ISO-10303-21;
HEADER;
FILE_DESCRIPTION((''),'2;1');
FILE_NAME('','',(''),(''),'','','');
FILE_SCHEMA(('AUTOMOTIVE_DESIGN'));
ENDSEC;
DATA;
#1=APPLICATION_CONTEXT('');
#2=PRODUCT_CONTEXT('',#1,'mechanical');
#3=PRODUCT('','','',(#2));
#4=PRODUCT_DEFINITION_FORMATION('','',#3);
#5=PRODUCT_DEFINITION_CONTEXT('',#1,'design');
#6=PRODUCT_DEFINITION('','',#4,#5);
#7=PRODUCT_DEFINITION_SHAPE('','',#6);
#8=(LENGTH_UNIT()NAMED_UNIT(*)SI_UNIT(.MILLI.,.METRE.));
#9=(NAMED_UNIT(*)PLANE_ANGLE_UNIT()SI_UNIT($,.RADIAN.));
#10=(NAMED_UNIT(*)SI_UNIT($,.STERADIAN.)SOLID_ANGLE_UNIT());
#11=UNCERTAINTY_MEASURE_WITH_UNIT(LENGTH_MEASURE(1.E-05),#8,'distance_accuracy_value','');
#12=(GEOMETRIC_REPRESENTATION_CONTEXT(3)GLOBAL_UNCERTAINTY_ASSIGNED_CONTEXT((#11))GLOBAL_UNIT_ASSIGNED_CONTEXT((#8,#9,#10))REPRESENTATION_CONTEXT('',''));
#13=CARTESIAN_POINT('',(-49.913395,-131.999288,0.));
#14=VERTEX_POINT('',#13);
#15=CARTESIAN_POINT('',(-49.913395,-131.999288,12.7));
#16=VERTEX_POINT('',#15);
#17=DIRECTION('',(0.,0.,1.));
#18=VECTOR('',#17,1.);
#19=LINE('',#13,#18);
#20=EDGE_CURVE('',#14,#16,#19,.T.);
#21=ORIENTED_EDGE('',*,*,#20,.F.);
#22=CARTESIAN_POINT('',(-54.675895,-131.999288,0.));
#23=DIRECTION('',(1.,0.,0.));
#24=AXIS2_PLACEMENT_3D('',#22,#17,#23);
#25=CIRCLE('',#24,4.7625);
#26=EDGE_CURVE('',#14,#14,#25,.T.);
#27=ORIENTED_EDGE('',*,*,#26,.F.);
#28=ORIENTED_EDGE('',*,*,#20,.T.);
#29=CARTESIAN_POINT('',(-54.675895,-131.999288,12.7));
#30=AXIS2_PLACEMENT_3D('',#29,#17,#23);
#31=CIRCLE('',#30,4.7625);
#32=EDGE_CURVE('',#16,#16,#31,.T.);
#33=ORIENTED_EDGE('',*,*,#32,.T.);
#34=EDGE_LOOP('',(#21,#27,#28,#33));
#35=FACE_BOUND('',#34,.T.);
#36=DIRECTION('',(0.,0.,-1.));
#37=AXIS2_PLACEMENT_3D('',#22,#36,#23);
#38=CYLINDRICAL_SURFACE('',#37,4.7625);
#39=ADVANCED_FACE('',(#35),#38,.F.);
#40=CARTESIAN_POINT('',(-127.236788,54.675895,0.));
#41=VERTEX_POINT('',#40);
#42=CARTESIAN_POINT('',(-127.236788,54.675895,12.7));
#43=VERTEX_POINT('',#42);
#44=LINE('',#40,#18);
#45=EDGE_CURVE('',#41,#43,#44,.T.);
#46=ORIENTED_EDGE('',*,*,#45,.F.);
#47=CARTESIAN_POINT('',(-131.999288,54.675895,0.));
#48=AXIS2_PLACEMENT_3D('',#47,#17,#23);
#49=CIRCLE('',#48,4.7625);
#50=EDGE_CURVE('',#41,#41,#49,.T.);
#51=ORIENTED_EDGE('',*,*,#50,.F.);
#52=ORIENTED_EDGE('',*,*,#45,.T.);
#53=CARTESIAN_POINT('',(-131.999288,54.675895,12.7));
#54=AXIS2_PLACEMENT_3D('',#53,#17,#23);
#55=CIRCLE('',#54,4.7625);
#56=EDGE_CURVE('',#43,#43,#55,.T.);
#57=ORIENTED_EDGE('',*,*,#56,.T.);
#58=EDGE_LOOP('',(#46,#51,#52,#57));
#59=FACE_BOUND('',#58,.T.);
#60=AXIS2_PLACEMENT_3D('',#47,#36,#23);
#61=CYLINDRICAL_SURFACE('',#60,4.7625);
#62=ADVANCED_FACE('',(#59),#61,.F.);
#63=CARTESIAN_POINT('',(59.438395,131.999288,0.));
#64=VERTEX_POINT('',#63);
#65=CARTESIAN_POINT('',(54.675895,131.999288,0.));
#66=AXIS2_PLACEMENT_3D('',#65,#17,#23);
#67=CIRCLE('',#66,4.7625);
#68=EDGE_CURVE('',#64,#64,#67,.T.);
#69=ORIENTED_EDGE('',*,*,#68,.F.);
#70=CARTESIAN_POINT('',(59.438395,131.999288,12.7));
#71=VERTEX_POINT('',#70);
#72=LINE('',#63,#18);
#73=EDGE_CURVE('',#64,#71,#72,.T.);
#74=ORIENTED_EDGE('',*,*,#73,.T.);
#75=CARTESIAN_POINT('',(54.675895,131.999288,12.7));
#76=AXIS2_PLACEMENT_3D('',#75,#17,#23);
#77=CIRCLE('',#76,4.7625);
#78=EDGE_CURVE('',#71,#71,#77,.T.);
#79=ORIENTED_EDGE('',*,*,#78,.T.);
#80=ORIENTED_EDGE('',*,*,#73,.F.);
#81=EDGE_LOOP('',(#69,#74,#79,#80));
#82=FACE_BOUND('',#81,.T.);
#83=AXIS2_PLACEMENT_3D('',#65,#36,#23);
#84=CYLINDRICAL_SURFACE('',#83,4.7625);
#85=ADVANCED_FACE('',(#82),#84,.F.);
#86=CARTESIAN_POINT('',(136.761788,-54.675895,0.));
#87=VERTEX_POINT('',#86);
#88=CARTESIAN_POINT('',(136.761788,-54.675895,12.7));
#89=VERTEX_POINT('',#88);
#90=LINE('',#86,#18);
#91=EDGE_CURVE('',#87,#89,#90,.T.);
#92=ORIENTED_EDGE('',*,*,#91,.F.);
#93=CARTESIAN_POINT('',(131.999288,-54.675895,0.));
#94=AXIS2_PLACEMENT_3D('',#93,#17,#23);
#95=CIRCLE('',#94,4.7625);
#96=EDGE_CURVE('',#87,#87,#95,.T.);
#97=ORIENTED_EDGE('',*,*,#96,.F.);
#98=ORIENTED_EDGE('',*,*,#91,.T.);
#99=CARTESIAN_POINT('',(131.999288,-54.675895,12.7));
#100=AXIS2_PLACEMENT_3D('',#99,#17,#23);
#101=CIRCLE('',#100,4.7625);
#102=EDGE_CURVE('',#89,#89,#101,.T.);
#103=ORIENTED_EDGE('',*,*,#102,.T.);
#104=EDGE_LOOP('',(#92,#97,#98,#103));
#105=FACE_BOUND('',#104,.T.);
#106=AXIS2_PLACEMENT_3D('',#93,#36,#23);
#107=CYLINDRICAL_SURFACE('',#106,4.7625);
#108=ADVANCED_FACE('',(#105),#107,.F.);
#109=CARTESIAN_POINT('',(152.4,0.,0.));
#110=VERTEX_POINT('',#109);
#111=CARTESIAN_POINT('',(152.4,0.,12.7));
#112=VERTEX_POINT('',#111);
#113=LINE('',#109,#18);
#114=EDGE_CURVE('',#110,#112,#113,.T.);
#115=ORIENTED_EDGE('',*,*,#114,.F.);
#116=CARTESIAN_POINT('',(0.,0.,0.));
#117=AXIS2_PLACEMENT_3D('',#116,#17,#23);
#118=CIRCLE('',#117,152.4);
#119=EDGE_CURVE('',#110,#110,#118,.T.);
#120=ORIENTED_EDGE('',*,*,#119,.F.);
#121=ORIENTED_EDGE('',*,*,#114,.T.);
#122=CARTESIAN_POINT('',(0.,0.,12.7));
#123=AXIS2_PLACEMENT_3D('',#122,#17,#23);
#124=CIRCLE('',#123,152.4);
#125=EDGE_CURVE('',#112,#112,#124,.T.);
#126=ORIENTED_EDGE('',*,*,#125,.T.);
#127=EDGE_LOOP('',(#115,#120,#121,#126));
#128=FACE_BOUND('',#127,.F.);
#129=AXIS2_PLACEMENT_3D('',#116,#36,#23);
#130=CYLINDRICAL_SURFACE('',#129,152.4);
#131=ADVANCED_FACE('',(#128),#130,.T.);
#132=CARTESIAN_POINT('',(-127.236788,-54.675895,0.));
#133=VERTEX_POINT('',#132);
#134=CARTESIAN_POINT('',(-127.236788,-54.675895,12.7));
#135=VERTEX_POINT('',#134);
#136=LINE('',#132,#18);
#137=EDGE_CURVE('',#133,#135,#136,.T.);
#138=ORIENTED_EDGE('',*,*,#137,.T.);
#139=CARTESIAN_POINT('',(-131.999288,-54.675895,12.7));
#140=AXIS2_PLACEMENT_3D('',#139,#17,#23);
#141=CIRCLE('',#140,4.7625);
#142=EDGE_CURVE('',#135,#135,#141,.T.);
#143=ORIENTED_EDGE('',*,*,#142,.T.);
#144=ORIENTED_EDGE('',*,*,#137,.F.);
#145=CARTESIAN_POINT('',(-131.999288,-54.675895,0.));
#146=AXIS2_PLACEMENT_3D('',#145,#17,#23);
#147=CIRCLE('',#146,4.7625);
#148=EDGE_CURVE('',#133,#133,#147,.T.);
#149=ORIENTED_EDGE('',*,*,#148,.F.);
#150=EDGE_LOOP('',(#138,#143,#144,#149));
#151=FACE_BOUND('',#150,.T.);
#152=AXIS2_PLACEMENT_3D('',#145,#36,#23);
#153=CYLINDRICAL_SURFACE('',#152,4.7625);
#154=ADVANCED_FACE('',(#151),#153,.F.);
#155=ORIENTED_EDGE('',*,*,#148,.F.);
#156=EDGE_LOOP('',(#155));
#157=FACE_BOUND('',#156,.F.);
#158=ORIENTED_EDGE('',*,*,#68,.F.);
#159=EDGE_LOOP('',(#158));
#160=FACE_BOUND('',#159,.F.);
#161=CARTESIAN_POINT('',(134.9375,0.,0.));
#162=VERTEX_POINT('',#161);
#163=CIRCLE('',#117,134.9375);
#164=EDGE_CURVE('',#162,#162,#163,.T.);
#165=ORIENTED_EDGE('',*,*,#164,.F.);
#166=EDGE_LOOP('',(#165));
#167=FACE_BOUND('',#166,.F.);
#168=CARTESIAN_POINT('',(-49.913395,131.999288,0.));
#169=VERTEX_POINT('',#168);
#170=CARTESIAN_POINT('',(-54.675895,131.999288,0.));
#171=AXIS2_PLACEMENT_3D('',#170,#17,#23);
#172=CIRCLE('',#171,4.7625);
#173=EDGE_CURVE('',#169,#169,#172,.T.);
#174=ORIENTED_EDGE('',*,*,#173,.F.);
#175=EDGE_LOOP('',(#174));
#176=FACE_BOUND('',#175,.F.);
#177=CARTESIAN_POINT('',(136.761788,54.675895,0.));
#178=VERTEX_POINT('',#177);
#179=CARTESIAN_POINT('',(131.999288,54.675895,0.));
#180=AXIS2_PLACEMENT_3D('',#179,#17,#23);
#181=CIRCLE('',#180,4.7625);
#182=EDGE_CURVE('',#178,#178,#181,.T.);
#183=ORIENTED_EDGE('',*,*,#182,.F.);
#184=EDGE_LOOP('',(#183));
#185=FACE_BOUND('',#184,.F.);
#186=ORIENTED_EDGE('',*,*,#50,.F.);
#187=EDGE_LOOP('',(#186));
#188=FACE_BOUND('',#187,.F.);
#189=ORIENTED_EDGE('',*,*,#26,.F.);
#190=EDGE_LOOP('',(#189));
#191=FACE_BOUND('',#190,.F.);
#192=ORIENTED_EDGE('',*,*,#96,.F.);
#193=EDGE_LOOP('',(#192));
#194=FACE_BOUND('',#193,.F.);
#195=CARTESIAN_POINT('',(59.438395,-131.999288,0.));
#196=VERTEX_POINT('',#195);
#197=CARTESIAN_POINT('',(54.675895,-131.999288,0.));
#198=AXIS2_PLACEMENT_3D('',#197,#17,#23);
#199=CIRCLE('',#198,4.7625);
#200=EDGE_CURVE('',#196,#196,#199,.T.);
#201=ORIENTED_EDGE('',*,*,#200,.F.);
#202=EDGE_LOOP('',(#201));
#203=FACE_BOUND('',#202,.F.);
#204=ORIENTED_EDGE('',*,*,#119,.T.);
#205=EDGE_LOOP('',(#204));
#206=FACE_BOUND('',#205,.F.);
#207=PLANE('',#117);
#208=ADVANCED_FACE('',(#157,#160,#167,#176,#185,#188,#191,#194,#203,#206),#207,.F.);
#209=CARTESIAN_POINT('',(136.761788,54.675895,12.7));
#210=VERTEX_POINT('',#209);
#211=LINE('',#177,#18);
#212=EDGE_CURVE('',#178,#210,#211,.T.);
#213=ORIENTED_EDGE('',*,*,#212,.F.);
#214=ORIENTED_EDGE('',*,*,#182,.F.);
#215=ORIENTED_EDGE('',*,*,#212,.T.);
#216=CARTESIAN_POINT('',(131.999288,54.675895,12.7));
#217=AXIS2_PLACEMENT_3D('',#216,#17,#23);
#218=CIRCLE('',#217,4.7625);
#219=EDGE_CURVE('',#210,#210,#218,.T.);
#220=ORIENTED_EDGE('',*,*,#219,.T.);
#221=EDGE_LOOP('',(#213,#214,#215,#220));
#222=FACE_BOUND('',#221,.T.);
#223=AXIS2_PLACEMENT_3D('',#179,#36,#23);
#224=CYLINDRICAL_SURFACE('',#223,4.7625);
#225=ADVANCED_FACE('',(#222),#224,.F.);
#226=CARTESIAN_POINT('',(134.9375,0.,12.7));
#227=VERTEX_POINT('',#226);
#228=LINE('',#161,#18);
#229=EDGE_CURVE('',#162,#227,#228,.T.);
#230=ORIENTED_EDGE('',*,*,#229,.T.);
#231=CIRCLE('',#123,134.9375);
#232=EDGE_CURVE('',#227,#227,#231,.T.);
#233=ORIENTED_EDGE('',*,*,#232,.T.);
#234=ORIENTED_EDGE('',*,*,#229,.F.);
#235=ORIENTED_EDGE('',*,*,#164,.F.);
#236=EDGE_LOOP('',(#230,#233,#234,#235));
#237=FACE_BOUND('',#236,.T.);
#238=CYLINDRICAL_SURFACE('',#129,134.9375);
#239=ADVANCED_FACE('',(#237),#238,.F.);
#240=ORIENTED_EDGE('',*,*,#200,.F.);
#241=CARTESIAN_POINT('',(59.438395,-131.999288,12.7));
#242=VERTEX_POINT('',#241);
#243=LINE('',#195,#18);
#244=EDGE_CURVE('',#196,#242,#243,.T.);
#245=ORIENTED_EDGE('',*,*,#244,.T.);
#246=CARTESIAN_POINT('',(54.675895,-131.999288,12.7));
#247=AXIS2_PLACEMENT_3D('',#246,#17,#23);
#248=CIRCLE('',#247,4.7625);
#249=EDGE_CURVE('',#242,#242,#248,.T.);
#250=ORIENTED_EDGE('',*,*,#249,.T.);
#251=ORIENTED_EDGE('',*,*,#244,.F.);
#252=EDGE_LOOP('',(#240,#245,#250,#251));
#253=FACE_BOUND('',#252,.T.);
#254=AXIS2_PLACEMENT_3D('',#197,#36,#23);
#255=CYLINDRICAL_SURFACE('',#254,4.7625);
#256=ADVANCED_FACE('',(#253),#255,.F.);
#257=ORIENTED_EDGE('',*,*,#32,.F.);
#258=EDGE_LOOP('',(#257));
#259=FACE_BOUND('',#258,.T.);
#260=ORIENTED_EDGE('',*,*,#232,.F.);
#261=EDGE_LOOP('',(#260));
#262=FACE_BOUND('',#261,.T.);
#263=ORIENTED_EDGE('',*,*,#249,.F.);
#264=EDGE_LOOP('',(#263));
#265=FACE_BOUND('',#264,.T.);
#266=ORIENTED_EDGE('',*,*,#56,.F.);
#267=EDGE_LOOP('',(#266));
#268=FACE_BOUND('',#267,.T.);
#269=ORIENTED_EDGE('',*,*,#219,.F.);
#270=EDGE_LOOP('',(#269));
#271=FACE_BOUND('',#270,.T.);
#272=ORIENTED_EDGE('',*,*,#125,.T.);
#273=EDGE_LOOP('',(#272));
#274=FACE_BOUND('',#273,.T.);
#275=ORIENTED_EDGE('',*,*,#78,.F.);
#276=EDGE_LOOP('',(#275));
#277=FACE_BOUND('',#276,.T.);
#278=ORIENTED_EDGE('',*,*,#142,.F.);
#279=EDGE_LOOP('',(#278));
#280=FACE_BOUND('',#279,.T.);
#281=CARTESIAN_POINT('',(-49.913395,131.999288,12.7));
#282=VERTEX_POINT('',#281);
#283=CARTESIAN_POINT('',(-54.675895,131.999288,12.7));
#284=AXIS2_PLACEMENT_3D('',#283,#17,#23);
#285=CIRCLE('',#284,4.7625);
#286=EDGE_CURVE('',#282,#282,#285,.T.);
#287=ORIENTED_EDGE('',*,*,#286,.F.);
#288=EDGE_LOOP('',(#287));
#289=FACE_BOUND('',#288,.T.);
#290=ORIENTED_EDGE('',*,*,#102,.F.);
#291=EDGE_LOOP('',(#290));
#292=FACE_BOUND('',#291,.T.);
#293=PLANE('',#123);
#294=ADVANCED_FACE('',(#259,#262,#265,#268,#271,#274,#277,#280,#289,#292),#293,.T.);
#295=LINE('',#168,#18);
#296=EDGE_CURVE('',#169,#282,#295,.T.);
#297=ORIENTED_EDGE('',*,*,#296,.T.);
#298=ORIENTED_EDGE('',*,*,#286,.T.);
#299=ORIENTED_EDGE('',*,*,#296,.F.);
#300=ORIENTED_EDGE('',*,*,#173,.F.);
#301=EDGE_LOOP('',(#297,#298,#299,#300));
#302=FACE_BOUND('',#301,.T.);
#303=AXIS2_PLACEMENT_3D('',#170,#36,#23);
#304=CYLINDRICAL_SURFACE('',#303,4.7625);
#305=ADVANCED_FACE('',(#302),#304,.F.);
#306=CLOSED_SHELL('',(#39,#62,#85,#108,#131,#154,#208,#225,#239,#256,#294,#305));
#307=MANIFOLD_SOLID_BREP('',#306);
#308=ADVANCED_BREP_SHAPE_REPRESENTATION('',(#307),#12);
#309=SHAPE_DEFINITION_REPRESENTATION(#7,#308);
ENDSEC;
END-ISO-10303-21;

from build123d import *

# Parameters (mm, degrees)
F0_R     = 152.4
F0_R_2   = 4.7625
F0_R_3   = 134.9375
F1_DEPTH = 12.7


with BuildPart() as f1:
    # F0 (on Top) → F1 (new body)
    with BuildSketch(Plane.XY):
        Circle(F0_R)
        with Locations((-54.675895, -131.999288)):
            Circle(F0_R_2, mode=Mode.SUBTRACT)
        with Locations((-131.999288, -54.675895)):
            Circle(F0_R_2, mode=Mode.SUBTRACT)
        with Locations((54.675895, -131.999288)):
            Circle(F0_R_2, mode=Mode.SUBTRACT)
        with Locations((131.999288, -54.675895)):
            Circle(F0_R_2, mode=Mode.SUBTRACT)
        with Locations((-131.999288, 54.675895)):
            Circle(F0_R_2, mode=Mode.SUBTRACT)
        with Locations((-54.675895, 131.999288)):
            Circle(F0_R_2, mode=Mode.SUBTRACT)
        Circle(F0_R_3, mode=Mode.SUBTRACT)
        with Locations((131.999288, 54.675895)):
            Circle(F0_R_2, mode=Mode.SUBTRACT)
        with Locations((54.675895, 131.999288)):
            Circle(F0_R_2, mode=Mode.SUBTRACT)
    extrude(amount=F1_DEPTH)


solid = f1.part
